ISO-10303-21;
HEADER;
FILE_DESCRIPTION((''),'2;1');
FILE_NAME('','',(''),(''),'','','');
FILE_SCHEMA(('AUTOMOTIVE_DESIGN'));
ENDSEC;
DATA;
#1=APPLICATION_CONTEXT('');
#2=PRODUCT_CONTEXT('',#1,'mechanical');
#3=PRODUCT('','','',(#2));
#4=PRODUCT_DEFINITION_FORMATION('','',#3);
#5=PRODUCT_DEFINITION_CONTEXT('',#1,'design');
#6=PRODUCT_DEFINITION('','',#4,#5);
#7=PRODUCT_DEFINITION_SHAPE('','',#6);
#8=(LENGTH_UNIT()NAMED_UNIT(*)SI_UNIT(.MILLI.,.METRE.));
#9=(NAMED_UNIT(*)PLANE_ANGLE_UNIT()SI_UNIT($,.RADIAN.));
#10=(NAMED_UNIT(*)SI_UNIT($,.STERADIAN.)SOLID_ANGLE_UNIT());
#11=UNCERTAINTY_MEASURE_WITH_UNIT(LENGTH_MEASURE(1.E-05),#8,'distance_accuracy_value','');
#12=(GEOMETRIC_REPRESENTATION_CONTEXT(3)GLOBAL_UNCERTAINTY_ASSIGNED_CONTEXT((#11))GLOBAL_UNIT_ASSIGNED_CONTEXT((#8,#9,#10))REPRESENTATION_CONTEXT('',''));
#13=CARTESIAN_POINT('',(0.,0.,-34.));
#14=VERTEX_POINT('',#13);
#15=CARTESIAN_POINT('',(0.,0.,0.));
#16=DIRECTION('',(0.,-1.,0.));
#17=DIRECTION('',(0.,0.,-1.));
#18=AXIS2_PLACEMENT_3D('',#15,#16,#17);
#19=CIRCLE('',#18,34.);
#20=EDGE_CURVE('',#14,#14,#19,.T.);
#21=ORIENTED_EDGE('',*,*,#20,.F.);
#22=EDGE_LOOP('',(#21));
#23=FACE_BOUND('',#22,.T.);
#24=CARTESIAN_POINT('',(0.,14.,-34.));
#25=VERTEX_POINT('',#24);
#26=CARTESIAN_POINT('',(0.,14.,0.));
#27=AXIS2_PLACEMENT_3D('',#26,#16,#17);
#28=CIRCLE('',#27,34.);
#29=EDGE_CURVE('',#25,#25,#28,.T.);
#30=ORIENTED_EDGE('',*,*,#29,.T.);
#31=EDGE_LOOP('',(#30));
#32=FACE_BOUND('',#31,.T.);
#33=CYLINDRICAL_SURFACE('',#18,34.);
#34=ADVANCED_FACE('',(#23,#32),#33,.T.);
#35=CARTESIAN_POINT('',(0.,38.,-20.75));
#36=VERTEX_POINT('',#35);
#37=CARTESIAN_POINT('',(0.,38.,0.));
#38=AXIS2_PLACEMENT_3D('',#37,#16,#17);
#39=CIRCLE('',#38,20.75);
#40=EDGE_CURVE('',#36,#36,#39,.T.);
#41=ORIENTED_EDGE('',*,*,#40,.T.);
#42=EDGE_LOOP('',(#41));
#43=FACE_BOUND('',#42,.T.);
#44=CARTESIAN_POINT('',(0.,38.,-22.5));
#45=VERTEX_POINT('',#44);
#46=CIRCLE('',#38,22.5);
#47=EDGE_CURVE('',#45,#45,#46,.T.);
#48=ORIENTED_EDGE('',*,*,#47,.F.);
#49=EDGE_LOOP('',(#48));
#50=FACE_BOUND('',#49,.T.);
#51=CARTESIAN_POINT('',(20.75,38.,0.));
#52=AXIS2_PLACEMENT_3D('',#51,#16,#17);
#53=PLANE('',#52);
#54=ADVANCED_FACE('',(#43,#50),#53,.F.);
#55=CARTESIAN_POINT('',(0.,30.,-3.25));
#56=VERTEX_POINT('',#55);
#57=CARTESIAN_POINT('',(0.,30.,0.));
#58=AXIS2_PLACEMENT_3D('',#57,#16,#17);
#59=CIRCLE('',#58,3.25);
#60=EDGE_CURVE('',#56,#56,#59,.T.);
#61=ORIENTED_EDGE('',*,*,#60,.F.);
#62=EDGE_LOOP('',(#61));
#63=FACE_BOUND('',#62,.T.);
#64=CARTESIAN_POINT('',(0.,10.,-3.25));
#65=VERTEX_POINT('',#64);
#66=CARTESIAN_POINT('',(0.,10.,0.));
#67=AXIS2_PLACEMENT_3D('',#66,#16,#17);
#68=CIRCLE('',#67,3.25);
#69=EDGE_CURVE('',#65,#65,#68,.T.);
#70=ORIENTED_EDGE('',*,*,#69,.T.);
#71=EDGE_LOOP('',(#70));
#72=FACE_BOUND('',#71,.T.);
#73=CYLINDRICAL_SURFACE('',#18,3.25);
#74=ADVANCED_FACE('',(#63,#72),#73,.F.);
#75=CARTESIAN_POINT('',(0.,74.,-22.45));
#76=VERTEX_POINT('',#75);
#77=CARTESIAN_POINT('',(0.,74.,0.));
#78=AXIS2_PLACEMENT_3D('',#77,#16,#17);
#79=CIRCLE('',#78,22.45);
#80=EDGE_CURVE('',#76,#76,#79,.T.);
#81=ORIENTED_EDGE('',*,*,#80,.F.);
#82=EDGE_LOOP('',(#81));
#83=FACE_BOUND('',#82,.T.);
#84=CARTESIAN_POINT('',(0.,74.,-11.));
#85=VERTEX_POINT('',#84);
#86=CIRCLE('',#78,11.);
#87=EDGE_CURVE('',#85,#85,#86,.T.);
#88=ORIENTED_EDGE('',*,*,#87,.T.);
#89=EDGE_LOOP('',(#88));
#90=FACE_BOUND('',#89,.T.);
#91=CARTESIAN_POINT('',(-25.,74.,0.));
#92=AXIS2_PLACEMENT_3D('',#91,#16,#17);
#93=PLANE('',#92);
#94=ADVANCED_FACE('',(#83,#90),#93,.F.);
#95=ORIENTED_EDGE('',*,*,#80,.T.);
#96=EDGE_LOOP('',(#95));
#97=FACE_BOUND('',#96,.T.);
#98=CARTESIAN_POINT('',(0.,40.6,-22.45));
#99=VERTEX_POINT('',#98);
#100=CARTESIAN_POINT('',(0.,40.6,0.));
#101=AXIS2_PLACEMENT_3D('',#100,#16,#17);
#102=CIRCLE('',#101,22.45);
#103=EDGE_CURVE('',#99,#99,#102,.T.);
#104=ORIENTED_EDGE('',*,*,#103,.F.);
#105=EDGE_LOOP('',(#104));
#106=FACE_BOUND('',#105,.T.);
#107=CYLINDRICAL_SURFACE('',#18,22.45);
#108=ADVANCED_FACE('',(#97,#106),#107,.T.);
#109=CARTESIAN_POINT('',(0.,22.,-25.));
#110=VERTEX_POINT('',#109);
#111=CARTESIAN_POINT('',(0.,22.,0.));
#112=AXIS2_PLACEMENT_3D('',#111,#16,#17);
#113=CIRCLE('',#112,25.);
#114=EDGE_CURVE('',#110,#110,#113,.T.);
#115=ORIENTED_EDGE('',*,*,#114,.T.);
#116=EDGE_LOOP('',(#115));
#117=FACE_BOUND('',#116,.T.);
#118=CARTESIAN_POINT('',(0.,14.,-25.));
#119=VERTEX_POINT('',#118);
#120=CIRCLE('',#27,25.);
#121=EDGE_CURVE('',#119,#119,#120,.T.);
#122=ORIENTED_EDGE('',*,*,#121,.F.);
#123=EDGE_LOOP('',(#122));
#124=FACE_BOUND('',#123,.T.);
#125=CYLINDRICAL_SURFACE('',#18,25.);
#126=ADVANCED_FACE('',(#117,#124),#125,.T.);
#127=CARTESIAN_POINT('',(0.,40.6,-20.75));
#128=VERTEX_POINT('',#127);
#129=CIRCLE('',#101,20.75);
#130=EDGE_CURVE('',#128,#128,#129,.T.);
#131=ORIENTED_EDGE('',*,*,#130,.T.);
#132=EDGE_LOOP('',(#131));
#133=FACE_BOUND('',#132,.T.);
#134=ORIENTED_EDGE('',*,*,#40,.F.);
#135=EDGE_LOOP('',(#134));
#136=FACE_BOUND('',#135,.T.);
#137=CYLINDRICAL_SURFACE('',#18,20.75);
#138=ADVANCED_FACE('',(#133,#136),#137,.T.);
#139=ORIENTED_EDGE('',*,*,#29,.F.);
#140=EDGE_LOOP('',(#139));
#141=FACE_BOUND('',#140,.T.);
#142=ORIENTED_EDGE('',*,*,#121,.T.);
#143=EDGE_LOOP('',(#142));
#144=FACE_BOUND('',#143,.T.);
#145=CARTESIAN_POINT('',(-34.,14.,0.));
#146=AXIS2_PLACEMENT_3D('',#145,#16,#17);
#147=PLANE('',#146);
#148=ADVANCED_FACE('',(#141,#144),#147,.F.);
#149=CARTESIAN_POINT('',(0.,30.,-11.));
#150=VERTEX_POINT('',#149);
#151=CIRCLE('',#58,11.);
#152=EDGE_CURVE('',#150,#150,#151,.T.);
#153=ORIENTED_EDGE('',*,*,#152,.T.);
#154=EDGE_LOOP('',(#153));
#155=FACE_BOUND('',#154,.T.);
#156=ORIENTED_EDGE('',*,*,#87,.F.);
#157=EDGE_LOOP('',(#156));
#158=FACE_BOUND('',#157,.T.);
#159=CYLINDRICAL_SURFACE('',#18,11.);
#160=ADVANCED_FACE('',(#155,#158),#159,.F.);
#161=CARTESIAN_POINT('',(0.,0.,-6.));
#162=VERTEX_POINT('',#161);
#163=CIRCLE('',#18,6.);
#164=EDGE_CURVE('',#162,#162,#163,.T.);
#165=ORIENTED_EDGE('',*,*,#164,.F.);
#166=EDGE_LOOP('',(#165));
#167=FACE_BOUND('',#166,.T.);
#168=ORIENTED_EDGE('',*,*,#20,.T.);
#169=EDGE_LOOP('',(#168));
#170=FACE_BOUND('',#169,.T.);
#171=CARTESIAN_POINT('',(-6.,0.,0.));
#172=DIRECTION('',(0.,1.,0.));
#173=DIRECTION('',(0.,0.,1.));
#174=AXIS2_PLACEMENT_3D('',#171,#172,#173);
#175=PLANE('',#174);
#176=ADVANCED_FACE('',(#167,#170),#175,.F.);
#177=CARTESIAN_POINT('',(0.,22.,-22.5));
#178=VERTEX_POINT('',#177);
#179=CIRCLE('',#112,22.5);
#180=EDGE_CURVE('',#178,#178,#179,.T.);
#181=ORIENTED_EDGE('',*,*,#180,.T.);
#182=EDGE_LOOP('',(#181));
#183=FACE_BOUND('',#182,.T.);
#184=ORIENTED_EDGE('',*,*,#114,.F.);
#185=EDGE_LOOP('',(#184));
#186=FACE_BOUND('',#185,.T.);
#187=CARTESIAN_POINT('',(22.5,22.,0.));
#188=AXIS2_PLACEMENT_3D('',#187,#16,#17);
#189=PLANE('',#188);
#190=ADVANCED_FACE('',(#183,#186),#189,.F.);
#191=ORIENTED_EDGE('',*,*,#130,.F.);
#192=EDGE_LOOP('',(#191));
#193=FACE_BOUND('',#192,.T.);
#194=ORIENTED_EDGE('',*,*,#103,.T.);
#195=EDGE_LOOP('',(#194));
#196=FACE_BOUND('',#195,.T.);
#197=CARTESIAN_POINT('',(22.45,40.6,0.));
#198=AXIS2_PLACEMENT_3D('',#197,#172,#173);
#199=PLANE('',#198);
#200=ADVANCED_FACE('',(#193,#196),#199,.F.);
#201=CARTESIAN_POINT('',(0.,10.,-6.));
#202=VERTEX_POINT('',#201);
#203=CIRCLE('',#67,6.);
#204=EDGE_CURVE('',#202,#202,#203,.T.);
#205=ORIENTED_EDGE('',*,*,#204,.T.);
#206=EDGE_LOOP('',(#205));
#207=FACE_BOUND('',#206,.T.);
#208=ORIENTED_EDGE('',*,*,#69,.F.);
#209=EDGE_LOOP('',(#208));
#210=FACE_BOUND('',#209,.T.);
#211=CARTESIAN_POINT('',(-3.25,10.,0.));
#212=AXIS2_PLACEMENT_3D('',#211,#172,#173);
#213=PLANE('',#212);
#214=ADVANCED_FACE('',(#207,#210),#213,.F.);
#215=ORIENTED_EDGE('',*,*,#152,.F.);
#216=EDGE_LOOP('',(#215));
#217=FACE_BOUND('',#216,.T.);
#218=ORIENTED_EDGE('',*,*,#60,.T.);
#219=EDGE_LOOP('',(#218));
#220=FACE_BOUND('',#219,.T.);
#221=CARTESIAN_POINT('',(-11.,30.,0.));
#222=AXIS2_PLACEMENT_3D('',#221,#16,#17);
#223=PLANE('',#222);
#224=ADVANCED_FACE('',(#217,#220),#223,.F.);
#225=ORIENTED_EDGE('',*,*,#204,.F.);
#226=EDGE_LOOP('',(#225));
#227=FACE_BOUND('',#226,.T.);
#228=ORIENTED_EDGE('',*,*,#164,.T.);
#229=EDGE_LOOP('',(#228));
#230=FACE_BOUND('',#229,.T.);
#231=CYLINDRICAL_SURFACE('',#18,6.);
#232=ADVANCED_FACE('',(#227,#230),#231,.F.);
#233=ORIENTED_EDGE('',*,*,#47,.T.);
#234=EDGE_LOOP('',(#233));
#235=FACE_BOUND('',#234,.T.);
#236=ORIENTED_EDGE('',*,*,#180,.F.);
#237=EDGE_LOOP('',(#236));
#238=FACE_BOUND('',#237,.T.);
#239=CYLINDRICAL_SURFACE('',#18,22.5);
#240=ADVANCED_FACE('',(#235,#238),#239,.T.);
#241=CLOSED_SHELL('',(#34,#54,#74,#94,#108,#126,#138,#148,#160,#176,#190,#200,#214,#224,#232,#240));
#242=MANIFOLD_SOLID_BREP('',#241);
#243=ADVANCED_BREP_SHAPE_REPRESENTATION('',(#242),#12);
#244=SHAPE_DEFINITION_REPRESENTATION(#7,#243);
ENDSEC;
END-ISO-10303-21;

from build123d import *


with BuildPart() as part:
    # Sketch1 → Revolve1 (revolve)
    with BuildSketch(Plane.XY, mode=Mode.PRIVATE) as revolve1_sk:
        Polygon((-6, 0), (-34, 0), (-34, 14), (-25, 14), (-25, 74), (-11, 74), (-11, 30), (-3.25, 30), (-3.25, 10), (-6, 10), align=None)
    revolve(revolve1_sk.sketch.rotate(Axis((0, 0, 0), (0, 1, 0)), 270), axis=Axis((0, 0, 0), (0, 1, 0)))

    # Sketch3 → Cut-Revolve1 (revolve, cut)
    with BuildSketch(Plane.XY, mode=Mode.PRIVATE) as cut_revolve1_sk:
        Polygon((22.45, 74), (22.45, 40.6), (20.75, 40.6), (20.75, 38), (22.5, 38), (22.5, 22), (25, 22), (25, 74), align=None)
    revolve(cut_revolve1_sk.sketch.rotate(Axis((0, 0, 0), (0, 1, 0)), 90), axis=Axis((0, 0, 0), (0, 1, 0)), mode=Mode.SUBTRACT)


solid = part.part
